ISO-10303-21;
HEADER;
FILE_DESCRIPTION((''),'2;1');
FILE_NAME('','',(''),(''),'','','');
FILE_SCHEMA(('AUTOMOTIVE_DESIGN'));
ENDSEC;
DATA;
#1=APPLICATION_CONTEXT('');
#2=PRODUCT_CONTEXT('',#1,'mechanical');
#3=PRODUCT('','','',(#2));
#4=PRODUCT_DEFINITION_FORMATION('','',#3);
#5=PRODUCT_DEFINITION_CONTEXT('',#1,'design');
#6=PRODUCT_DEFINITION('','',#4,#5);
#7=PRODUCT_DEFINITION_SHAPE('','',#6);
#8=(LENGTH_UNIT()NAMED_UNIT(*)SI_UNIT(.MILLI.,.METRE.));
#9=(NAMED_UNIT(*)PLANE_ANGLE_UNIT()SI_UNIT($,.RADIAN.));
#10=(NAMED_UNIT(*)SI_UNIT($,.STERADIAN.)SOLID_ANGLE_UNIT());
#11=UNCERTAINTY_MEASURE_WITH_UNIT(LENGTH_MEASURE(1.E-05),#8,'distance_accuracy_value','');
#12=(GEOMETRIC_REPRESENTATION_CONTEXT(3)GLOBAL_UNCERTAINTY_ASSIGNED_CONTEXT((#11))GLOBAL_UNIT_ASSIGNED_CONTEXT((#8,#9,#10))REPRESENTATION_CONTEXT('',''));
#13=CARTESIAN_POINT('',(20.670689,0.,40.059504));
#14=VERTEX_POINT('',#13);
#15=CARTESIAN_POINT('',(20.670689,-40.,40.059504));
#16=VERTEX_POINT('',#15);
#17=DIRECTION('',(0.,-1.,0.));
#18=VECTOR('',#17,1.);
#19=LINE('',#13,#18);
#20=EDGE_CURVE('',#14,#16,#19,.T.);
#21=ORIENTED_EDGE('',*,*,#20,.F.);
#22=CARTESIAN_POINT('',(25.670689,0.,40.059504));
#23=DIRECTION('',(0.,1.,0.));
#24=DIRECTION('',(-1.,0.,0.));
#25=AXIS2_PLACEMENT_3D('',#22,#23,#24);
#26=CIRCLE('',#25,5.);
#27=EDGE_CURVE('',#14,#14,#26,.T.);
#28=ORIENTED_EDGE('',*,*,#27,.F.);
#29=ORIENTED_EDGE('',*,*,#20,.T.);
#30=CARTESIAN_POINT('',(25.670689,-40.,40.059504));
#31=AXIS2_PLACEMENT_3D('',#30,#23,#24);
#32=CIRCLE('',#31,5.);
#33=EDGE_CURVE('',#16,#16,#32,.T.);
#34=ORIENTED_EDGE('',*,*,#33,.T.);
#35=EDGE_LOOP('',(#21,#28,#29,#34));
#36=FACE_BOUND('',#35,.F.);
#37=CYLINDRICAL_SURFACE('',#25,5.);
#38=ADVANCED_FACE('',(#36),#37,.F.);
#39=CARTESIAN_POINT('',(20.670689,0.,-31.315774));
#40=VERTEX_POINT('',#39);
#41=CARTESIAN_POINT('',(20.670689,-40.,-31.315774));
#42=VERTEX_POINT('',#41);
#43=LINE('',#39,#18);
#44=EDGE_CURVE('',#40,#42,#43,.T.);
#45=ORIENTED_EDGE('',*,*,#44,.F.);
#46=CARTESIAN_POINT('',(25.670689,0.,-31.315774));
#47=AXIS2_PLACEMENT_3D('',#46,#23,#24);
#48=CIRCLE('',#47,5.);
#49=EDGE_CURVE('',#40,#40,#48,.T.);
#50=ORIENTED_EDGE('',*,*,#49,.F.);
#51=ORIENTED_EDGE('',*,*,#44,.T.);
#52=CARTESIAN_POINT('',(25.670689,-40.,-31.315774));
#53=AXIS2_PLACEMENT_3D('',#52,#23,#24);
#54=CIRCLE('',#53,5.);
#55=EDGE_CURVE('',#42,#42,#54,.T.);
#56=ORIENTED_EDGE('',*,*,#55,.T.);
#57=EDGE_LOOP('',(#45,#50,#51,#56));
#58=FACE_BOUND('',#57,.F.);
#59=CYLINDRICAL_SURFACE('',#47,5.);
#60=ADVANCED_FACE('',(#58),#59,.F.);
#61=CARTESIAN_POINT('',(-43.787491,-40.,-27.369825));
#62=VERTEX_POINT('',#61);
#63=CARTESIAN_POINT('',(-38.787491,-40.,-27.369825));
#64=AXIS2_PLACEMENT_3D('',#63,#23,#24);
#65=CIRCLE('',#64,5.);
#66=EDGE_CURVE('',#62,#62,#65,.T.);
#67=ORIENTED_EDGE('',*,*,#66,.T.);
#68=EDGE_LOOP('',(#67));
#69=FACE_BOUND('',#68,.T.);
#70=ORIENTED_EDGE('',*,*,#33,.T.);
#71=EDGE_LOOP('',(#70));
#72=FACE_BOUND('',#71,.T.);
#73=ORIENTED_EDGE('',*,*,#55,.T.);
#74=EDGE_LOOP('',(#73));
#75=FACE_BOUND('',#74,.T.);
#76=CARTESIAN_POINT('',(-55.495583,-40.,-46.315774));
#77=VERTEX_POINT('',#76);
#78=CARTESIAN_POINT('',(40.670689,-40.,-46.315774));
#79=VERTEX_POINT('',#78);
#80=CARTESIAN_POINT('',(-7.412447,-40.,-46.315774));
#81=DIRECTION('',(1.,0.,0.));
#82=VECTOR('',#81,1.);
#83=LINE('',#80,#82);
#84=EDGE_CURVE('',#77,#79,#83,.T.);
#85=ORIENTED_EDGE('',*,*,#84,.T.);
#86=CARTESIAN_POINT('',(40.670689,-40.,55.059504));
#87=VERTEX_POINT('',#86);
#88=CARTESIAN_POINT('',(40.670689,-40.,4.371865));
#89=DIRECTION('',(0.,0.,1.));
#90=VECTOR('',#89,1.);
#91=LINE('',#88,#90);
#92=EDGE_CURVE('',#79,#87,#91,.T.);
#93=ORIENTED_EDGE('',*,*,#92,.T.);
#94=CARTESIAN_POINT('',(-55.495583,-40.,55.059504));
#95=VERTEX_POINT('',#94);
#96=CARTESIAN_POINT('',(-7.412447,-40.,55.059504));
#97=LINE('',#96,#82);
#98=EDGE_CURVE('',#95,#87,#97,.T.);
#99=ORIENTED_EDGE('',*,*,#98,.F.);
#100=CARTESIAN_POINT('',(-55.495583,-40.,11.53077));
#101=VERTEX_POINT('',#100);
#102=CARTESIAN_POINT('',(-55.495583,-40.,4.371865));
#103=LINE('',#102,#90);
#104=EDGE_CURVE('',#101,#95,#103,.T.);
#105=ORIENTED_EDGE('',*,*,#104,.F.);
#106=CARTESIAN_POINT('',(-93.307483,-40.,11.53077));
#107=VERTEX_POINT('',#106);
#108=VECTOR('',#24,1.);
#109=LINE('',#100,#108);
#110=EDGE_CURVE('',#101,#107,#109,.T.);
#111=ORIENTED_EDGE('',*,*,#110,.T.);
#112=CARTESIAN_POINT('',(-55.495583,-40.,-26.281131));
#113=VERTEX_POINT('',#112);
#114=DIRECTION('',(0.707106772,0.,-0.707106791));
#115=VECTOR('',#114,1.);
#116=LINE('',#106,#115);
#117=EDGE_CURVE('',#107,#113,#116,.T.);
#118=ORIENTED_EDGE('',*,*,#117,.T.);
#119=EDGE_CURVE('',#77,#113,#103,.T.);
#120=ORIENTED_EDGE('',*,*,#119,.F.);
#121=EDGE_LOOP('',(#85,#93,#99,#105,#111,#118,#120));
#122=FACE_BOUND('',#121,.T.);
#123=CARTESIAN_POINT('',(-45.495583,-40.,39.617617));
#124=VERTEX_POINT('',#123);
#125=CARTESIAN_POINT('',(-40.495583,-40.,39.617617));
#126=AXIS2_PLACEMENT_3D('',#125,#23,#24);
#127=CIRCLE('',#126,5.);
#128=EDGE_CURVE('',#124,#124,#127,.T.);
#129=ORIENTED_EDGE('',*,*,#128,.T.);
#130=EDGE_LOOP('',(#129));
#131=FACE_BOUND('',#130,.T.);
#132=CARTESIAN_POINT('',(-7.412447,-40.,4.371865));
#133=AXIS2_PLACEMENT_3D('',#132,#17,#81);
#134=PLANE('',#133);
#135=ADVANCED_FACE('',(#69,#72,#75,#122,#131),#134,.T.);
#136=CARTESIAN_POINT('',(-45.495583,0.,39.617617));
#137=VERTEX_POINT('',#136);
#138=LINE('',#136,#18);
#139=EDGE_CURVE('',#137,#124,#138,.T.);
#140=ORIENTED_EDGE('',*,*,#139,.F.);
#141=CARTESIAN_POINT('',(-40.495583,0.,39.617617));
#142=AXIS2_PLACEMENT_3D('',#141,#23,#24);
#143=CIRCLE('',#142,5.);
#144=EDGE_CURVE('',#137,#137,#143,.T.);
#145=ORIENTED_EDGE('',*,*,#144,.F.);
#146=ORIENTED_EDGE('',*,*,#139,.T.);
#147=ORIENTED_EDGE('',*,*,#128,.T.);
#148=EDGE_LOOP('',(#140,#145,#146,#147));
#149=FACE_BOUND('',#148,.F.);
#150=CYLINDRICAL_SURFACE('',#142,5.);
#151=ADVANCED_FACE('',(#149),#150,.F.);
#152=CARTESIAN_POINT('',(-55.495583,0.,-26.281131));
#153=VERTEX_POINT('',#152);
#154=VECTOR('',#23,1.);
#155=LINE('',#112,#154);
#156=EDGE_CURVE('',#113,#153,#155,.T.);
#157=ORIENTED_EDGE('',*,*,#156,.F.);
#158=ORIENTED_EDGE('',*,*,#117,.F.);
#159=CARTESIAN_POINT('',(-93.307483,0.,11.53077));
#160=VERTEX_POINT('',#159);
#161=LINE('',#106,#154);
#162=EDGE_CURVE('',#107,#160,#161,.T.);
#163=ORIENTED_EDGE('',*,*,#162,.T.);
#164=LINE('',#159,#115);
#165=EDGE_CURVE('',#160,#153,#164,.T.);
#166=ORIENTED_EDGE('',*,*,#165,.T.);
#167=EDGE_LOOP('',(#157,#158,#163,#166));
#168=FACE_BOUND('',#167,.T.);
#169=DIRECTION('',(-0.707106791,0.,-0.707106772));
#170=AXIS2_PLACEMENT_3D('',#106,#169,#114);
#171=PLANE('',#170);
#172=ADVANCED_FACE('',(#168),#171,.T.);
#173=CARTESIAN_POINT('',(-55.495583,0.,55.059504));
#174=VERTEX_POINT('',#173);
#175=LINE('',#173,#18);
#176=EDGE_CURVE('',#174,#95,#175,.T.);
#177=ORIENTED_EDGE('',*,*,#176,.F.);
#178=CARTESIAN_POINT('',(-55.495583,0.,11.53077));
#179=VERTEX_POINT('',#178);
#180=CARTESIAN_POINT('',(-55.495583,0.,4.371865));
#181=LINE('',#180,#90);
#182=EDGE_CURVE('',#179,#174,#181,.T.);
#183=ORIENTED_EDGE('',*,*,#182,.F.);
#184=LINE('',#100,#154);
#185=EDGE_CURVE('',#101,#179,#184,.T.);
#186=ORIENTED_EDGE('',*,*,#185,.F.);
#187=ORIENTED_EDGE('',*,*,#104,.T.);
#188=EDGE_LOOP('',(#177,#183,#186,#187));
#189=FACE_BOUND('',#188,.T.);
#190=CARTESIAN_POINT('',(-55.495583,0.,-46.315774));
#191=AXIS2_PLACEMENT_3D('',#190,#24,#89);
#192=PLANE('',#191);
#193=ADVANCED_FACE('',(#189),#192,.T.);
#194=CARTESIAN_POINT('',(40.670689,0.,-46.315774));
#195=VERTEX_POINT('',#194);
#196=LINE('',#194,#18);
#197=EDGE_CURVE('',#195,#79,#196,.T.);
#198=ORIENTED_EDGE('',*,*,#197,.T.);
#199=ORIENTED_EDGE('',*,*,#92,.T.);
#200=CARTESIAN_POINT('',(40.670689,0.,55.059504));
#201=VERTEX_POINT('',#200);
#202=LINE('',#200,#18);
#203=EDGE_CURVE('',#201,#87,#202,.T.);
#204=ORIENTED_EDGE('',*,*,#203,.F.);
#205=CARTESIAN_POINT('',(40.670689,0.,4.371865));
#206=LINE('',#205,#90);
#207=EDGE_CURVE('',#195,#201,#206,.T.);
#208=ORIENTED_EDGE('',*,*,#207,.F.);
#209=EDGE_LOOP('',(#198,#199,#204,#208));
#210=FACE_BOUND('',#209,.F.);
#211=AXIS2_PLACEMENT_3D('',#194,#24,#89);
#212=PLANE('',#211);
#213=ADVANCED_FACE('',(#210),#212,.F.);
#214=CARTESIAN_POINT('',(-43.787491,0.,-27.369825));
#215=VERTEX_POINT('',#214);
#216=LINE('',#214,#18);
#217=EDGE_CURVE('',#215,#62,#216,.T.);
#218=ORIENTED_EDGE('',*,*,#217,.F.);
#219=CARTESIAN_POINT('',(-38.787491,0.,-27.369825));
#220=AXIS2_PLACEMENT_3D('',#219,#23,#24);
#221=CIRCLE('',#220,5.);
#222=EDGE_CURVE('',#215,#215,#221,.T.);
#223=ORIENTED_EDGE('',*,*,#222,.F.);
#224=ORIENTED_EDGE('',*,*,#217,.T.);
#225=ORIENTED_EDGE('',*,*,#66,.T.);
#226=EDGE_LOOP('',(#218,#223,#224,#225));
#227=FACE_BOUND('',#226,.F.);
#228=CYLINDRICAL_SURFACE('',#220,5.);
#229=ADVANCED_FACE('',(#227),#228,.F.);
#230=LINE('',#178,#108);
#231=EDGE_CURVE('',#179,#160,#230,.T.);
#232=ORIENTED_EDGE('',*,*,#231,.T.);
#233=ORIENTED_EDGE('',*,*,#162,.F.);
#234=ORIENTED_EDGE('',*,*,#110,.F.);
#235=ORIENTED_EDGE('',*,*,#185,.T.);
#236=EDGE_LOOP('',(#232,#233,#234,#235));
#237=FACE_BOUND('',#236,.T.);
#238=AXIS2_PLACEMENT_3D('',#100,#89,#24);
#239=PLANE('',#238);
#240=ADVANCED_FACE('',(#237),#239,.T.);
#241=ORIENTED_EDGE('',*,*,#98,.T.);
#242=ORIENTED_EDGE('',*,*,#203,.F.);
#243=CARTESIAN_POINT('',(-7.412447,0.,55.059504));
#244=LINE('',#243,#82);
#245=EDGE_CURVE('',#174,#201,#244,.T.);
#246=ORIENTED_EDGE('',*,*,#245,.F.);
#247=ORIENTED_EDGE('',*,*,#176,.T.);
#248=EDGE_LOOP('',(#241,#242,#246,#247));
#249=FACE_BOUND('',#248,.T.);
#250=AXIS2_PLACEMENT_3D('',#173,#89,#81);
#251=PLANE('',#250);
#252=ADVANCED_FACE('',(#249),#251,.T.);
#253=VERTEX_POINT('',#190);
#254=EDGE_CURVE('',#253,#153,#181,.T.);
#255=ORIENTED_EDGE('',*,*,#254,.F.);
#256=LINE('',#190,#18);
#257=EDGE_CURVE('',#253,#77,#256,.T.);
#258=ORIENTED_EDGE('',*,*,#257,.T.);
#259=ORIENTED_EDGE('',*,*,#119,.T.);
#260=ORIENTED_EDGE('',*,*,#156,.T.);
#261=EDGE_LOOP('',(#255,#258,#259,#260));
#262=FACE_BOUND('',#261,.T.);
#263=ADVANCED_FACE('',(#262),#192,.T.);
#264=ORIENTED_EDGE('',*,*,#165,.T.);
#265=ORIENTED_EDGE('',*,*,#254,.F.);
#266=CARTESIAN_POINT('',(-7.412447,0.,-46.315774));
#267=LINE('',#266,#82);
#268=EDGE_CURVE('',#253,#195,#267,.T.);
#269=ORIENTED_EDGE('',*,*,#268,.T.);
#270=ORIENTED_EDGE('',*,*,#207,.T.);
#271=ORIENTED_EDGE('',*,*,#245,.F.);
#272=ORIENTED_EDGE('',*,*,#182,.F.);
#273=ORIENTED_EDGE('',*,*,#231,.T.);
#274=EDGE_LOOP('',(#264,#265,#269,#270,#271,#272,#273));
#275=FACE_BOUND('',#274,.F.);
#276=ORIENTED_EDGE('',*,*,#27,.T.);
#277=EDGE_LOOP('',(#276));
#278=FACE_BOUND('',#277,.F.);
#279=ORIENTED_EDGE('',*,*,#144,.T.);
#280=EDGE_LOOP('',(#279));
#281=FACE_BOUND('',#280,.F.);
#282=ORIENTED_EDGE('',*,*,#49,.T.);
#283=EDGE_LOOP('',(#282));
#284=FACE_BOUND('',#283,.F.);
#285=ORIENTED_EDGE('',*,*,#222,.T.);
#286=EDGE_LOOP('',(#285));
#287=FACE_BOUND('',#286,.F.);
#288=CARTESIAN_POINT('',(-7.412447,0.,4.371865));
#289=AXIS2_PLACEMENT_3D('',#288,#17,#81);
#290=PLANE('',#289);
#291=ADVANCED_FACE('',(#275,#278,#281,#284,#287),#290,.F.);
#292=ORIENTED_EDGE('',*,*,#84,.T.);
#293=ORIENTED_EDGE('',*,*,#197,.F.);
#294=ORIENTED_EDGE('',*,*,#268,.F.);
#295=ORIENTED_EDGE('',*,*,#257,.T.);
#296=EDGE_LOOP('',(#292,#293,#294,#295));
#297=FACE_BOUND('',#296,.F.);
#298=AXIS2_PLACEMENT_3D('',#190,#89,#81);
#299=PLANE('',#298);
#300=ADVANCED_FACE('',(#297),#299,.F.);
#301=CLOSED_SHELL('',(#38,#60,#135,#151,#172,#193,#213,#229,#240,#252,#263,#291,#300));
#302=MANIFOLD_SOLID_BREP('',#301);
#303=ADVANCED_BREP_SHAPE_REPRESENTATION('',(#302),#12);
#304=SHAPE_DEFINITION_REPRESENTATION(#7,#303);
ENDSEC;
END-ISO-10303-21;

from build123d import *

# Parameters (mm, degrees)
F0_W     = 96.166272
F0_H     = 101.375278
F1_DEPTH = 40
F3_DEPTH = 40
F4_R     = 5
F5_DEPTH = 40.001


with BuildPart() as f1:
    # F0 (on Front) → F1 (new body)
    with BuildSketch(Plane.XZ):
        with Locations((-7.412447, 4.371865)):
            Rectangle(F0_W, F0_H)
    extrude(amount=F1_DEPTH)

    # F2 (on face) → F3 (join)
    with BuildSketch(Plane.XZ.offset(40)):
        Polygon((-93.307483, 11.53077), (-55.495583, -26.281131), (-55.495583, 11.53077), align=None)
    extrude(amount=-F3_DEPTH)

    # F4 (on face) → F5 (cut, through all)
    with BuildSketch(Plane(origin=(0, 0, 0), x_dir=(-1, 0, 0), z_dir=(0, 1, 0))):
        with Locations((38.787491, -27.369825)):
            Circle(F4_R)
        with Locations((-25.670689, -31.315774)):
            Circle(F4_R)
        with Locations((-25.670689, 40.059504)):
            Circle(F4_R)
        with Locations((40.495583, 39.617617)):
            Circle(F4_R)
    extrude(amount=-F5_DEPTH, mode=Mode.SUBTRACT)


solid = f1.part
